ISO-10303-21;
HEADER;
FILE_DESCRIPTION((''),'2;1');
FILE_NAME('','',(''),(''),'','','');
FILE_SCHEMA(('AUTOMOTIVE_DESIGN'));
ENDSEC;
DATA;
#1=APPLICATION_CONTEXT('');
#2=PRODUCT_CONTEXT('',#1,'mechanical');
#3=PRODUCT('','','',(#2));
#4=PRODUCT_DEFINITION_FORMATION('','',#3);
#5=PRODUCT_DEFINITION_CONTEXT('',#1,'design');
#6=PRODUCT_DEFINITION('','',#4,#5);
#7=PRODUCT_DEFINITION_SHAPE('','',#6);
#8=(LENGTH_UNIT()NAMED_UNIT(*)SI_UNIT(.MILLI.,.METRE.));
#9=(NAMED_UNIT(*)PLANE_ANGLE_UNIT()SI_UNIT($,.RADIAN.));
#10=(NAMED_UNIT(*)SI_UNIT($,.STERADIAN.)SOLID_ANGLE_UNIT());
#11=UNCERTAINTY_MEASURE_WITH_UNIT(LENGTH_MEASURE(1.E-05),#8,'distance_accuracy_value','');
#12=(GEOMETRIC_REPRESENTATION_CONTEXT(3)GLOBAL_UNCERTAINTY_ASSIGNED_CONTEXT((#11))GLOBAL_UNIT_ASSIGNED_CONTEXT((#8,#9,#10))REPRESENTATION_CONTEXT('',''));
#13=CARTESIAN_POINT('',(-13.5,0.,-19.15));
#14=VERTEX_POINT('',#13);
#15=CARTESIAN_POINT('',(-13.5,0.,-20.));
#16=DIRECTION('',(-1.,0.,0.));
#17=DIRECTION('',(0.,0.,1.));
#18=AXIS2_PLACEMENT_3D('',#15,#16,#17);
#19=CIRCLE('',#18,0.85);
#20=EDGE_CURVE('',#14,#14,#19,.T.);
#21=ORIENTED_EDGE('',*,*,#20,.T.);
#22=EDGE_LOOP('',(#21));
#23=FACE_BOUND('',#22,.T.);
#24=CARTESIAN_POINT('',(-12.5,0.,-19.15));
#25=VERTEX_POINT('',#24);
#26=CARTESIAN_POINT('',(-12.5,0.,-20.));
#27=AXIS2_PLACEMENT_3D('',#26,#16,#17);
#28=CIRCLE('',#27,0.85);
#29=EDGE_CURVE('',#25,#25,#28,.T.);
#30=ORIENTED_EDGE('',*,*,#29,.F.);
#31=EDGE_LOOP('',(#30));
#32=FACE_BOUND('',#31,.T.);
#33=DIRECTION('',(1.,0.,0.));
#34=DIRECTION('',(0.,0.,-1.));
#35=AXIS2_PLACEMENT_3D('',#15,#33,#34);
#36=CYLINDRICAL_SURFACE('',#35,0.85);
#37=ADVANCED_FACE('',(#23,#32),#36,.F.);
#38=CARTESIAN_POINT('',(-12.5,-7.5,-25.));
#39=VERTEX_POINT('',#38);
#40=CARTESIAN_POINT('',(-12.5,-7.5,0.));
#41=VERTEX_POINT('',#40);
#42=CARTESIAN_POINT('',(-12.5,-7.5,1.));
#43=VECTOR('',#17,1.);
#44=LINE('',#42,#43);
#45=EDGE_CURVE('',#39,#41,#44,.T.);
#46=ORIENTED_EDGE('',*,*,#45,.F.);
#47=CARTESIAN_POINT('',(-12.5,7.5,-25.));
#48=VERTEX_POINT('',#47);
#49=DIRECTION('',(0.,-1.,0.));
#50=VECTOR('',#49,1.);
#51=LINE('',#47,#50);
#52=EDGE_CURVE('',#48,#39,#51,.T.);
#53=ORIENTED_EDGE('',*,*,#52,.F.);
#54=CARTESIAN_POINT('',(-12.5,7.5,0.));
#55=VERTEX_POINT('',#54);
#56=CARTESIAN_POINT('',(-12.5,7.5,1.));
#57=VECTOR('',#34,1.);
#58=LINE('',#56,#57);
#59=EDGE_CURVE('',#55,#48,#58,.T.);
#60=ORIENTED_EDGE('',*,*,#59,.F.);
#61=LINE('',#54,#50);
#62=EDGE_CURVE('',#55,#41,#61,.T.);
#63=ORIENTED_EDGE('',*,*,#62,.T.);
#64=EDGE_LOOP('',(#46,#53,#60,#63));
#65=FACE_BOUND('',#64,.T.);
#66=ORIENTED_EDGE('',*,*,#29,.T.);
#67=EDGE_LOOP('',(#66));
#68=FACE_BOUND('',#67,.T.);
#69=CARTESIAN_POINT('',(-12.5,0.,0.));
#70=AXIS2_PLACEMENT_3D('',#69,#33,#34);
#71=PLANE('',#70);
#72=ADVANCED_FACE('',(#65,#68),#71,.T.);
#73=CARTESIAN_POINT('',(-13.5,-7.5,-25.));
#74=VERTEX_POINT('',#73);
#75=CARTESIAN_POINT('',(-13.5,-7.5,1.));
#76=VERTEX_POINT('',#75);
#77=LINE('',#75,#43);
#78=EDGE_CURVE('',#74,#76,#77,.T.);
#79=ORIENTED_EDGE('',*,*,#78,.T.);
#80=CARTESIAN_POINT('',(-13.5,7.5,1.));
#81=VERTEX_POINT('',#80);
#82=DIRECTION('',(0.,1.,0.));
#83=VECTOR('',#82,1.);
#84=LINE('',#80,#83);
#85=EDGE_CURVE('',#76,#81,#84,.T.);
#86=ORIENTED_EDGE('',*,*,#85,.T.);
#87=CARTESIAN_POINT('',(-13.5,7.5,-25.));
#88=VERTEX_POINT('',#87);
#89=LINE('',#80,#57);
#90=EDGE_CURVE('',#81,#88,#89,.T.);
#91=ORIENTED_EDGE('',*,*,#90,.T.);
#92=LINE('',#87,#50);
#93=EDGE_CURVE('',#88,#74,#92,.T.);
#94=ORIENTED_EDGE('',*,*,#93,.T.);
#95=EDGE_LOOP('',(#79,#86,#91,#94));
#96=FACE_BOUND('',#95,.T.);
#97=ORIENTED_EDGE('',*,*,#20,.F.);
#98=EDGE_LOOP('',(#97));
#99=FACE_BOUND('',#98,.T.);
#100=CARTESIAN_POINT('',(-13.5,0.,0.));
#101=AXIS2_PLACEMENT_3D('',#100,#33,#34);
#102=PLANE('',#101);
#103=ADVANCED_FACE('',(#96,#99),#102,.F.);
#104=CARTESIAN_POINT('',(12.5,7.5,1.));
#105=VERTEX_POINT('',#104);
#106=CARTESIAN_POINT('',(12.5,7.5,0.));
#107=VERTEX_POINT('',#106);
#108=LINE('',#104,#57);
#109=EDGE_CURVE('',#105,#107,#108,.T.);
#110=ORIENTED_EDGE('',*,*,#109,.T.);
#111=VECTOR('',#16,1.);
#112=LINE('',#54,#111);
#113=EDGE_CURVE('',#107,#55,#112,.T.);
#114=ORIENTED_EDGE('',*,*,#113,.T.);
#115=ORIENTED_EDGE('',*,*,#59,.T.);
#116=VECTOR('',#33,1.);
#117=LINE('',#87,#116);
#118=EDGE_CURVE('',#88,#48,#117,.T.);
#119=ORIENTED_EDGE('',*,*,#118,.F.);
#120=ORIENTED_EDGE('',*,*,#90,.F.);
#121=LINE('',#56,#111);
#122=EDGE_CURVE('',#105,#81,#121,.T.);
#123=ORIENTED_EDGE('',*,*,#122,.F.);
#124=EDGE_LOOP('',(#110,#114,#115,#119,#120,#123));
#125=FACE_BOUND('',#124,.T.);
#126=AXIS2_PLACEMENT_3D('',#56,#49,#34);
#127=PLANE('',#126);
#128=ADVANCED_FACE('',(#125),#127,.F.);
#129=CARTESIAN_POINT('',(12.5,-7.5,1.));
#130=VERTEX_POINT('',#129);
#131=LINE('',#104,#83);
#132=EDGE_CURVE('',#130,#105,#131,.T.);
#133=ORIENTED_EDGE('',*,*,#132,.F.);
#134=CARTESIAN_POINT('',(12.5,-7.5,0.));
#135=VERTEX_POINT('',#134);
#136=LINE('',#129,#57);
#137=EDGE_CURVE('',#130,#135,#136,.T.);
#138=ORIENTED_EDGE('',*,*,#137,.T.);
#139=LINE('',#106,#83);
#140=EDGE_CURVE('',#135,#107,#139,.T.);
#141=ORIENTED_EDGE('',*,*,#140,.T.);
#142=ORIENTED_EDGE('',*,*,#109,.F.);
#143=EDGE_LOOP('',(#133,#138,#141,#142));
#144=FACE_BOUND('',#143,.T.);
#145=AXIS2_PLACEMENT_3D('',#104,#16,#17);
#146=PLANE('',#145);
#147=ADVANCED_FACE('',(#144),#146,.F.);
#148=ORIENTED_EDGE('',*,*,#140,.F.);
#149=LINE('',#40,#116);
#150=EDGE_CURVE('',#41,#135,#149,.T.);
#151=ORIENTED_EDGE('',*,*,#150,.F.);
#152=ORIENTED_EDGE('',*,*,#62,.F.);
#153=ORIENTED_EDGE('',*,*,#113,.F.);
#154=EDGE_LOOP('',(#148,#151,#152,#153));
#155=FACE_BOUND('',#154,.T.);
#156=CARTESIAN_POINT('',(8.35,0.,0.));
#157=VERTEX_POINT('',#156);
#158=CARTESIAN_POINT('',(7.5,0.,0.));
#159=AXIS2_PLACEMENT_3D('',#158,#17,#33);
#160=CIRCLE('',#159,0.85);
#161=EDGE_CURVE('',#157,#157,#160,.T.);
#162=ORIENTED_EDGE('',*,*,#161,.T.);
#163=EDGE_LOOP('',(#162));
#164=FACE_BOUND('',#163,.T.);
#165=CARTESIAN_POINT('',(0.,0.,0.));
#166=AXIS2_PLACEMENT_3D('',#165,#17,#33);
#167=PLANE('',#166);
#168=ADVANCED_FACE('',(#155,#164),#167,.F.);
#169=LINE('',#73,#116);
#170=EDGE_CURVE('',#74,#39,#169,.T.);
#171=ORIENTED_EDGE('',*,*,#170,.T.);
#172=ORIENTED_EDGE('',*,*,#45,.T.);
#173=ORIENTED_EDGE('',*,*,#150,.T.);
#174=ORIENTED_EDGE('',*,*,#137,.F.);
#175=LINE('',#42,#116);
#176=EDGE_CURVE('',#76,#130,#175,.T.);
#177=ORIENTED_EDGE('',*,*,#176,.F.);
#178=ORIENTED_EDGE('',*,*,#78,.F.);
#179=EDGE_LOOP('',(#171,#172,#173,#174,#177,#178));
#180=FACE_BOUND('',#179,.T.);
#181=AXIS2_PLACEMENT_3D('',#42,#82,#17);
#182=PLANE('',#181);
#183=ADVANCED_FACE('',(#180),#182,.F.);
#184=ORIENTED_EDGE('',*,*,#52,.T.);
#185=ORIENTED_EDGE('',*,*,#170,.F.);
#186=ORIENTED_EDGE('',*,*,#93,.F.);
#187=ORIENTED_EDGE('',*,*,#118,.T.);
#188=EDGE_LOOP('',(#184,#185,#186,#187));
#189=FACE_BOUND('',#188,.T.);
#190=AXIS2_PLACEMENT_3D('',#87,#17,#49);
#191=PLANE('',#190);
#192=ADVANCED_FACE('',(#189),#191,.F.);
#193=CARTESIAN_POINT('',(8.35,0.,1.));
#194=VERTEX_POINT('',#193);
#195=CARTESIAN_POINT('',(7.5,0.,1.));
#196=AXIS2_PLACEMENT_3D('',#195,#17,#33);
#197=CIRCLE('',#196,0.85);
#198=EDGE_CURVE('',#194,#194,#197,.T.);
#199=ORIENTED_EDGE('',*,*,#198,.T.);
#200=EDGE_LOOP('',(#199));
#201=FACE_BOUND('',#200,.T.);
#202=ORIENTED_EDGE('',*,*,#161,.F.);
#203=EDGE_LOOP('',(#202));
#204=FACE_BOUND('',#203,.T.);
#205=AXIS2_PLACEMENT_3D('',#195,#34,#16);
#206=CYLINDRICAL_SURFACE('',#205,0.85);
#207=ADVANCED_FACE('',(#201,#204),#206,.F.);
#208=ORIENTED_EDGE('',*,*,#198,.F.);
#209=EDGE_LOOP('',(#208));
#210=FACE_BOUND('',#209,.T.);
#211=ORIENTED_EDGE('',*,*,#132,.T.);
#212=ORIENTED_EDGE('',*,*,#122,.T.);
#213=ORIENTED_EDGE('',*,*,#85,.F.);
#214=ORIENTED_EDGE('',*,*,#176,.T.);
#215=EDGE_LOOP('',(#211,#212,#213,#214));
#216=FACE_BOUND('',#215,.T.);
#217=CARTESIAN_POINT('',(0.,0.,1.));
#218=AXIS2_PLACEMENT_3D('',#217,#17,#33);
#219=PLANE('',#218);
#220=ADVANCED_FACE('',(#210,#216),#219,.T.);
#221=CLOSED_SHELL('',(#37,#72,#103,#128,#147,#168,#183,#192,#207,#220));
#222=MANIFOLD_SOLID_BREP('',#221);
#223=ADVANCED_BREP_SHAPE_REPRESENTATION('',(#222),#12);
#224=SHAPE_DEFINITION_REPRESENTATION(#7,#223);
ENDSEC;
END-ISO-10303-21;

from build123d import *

# Parameters (mm, degrees)
SKETCH1_W           = 25
SKETCH1_H           = 15
SKETCH1_R           = 0.85
BOSS_EXTRUDE1_DEPTH = 1
SKETCH2_W           = 26
SKETCH2_H           = 15
SKETCH2_R           = 0.85
BOSS_EXTRUDE2_DEPTH = 1


with BuildPart() as part:
    # Sketch1 → Boss-Extrude1 (new body)
    with BuildSketch(Plane.XY):
        Rectangle(SKETCH1_W, SKETCH1_H)
        with Locations((7.5, 0)):
            Circle(SKETCH1_R, mode=Mode.SUBTRACT)
    extrude(amount=BOSS_EXTRUDE1_DEPTH)

    # Sketch2 → Boss-Extrude2 (add)
    with BuildSketch(Plane.ZY.offset(12.5)):
        with Locations((-12, 0)):
            Rectangle(SKETCH2_W, SKETCH2_H)
        with Locations((-20, 0)):
            Circle(SKETCH2_R, mode=Mode.SUBTRACT)
    extrude(amount=BOSS_EXTRUDE2_DEPTH)


solid = part.part
